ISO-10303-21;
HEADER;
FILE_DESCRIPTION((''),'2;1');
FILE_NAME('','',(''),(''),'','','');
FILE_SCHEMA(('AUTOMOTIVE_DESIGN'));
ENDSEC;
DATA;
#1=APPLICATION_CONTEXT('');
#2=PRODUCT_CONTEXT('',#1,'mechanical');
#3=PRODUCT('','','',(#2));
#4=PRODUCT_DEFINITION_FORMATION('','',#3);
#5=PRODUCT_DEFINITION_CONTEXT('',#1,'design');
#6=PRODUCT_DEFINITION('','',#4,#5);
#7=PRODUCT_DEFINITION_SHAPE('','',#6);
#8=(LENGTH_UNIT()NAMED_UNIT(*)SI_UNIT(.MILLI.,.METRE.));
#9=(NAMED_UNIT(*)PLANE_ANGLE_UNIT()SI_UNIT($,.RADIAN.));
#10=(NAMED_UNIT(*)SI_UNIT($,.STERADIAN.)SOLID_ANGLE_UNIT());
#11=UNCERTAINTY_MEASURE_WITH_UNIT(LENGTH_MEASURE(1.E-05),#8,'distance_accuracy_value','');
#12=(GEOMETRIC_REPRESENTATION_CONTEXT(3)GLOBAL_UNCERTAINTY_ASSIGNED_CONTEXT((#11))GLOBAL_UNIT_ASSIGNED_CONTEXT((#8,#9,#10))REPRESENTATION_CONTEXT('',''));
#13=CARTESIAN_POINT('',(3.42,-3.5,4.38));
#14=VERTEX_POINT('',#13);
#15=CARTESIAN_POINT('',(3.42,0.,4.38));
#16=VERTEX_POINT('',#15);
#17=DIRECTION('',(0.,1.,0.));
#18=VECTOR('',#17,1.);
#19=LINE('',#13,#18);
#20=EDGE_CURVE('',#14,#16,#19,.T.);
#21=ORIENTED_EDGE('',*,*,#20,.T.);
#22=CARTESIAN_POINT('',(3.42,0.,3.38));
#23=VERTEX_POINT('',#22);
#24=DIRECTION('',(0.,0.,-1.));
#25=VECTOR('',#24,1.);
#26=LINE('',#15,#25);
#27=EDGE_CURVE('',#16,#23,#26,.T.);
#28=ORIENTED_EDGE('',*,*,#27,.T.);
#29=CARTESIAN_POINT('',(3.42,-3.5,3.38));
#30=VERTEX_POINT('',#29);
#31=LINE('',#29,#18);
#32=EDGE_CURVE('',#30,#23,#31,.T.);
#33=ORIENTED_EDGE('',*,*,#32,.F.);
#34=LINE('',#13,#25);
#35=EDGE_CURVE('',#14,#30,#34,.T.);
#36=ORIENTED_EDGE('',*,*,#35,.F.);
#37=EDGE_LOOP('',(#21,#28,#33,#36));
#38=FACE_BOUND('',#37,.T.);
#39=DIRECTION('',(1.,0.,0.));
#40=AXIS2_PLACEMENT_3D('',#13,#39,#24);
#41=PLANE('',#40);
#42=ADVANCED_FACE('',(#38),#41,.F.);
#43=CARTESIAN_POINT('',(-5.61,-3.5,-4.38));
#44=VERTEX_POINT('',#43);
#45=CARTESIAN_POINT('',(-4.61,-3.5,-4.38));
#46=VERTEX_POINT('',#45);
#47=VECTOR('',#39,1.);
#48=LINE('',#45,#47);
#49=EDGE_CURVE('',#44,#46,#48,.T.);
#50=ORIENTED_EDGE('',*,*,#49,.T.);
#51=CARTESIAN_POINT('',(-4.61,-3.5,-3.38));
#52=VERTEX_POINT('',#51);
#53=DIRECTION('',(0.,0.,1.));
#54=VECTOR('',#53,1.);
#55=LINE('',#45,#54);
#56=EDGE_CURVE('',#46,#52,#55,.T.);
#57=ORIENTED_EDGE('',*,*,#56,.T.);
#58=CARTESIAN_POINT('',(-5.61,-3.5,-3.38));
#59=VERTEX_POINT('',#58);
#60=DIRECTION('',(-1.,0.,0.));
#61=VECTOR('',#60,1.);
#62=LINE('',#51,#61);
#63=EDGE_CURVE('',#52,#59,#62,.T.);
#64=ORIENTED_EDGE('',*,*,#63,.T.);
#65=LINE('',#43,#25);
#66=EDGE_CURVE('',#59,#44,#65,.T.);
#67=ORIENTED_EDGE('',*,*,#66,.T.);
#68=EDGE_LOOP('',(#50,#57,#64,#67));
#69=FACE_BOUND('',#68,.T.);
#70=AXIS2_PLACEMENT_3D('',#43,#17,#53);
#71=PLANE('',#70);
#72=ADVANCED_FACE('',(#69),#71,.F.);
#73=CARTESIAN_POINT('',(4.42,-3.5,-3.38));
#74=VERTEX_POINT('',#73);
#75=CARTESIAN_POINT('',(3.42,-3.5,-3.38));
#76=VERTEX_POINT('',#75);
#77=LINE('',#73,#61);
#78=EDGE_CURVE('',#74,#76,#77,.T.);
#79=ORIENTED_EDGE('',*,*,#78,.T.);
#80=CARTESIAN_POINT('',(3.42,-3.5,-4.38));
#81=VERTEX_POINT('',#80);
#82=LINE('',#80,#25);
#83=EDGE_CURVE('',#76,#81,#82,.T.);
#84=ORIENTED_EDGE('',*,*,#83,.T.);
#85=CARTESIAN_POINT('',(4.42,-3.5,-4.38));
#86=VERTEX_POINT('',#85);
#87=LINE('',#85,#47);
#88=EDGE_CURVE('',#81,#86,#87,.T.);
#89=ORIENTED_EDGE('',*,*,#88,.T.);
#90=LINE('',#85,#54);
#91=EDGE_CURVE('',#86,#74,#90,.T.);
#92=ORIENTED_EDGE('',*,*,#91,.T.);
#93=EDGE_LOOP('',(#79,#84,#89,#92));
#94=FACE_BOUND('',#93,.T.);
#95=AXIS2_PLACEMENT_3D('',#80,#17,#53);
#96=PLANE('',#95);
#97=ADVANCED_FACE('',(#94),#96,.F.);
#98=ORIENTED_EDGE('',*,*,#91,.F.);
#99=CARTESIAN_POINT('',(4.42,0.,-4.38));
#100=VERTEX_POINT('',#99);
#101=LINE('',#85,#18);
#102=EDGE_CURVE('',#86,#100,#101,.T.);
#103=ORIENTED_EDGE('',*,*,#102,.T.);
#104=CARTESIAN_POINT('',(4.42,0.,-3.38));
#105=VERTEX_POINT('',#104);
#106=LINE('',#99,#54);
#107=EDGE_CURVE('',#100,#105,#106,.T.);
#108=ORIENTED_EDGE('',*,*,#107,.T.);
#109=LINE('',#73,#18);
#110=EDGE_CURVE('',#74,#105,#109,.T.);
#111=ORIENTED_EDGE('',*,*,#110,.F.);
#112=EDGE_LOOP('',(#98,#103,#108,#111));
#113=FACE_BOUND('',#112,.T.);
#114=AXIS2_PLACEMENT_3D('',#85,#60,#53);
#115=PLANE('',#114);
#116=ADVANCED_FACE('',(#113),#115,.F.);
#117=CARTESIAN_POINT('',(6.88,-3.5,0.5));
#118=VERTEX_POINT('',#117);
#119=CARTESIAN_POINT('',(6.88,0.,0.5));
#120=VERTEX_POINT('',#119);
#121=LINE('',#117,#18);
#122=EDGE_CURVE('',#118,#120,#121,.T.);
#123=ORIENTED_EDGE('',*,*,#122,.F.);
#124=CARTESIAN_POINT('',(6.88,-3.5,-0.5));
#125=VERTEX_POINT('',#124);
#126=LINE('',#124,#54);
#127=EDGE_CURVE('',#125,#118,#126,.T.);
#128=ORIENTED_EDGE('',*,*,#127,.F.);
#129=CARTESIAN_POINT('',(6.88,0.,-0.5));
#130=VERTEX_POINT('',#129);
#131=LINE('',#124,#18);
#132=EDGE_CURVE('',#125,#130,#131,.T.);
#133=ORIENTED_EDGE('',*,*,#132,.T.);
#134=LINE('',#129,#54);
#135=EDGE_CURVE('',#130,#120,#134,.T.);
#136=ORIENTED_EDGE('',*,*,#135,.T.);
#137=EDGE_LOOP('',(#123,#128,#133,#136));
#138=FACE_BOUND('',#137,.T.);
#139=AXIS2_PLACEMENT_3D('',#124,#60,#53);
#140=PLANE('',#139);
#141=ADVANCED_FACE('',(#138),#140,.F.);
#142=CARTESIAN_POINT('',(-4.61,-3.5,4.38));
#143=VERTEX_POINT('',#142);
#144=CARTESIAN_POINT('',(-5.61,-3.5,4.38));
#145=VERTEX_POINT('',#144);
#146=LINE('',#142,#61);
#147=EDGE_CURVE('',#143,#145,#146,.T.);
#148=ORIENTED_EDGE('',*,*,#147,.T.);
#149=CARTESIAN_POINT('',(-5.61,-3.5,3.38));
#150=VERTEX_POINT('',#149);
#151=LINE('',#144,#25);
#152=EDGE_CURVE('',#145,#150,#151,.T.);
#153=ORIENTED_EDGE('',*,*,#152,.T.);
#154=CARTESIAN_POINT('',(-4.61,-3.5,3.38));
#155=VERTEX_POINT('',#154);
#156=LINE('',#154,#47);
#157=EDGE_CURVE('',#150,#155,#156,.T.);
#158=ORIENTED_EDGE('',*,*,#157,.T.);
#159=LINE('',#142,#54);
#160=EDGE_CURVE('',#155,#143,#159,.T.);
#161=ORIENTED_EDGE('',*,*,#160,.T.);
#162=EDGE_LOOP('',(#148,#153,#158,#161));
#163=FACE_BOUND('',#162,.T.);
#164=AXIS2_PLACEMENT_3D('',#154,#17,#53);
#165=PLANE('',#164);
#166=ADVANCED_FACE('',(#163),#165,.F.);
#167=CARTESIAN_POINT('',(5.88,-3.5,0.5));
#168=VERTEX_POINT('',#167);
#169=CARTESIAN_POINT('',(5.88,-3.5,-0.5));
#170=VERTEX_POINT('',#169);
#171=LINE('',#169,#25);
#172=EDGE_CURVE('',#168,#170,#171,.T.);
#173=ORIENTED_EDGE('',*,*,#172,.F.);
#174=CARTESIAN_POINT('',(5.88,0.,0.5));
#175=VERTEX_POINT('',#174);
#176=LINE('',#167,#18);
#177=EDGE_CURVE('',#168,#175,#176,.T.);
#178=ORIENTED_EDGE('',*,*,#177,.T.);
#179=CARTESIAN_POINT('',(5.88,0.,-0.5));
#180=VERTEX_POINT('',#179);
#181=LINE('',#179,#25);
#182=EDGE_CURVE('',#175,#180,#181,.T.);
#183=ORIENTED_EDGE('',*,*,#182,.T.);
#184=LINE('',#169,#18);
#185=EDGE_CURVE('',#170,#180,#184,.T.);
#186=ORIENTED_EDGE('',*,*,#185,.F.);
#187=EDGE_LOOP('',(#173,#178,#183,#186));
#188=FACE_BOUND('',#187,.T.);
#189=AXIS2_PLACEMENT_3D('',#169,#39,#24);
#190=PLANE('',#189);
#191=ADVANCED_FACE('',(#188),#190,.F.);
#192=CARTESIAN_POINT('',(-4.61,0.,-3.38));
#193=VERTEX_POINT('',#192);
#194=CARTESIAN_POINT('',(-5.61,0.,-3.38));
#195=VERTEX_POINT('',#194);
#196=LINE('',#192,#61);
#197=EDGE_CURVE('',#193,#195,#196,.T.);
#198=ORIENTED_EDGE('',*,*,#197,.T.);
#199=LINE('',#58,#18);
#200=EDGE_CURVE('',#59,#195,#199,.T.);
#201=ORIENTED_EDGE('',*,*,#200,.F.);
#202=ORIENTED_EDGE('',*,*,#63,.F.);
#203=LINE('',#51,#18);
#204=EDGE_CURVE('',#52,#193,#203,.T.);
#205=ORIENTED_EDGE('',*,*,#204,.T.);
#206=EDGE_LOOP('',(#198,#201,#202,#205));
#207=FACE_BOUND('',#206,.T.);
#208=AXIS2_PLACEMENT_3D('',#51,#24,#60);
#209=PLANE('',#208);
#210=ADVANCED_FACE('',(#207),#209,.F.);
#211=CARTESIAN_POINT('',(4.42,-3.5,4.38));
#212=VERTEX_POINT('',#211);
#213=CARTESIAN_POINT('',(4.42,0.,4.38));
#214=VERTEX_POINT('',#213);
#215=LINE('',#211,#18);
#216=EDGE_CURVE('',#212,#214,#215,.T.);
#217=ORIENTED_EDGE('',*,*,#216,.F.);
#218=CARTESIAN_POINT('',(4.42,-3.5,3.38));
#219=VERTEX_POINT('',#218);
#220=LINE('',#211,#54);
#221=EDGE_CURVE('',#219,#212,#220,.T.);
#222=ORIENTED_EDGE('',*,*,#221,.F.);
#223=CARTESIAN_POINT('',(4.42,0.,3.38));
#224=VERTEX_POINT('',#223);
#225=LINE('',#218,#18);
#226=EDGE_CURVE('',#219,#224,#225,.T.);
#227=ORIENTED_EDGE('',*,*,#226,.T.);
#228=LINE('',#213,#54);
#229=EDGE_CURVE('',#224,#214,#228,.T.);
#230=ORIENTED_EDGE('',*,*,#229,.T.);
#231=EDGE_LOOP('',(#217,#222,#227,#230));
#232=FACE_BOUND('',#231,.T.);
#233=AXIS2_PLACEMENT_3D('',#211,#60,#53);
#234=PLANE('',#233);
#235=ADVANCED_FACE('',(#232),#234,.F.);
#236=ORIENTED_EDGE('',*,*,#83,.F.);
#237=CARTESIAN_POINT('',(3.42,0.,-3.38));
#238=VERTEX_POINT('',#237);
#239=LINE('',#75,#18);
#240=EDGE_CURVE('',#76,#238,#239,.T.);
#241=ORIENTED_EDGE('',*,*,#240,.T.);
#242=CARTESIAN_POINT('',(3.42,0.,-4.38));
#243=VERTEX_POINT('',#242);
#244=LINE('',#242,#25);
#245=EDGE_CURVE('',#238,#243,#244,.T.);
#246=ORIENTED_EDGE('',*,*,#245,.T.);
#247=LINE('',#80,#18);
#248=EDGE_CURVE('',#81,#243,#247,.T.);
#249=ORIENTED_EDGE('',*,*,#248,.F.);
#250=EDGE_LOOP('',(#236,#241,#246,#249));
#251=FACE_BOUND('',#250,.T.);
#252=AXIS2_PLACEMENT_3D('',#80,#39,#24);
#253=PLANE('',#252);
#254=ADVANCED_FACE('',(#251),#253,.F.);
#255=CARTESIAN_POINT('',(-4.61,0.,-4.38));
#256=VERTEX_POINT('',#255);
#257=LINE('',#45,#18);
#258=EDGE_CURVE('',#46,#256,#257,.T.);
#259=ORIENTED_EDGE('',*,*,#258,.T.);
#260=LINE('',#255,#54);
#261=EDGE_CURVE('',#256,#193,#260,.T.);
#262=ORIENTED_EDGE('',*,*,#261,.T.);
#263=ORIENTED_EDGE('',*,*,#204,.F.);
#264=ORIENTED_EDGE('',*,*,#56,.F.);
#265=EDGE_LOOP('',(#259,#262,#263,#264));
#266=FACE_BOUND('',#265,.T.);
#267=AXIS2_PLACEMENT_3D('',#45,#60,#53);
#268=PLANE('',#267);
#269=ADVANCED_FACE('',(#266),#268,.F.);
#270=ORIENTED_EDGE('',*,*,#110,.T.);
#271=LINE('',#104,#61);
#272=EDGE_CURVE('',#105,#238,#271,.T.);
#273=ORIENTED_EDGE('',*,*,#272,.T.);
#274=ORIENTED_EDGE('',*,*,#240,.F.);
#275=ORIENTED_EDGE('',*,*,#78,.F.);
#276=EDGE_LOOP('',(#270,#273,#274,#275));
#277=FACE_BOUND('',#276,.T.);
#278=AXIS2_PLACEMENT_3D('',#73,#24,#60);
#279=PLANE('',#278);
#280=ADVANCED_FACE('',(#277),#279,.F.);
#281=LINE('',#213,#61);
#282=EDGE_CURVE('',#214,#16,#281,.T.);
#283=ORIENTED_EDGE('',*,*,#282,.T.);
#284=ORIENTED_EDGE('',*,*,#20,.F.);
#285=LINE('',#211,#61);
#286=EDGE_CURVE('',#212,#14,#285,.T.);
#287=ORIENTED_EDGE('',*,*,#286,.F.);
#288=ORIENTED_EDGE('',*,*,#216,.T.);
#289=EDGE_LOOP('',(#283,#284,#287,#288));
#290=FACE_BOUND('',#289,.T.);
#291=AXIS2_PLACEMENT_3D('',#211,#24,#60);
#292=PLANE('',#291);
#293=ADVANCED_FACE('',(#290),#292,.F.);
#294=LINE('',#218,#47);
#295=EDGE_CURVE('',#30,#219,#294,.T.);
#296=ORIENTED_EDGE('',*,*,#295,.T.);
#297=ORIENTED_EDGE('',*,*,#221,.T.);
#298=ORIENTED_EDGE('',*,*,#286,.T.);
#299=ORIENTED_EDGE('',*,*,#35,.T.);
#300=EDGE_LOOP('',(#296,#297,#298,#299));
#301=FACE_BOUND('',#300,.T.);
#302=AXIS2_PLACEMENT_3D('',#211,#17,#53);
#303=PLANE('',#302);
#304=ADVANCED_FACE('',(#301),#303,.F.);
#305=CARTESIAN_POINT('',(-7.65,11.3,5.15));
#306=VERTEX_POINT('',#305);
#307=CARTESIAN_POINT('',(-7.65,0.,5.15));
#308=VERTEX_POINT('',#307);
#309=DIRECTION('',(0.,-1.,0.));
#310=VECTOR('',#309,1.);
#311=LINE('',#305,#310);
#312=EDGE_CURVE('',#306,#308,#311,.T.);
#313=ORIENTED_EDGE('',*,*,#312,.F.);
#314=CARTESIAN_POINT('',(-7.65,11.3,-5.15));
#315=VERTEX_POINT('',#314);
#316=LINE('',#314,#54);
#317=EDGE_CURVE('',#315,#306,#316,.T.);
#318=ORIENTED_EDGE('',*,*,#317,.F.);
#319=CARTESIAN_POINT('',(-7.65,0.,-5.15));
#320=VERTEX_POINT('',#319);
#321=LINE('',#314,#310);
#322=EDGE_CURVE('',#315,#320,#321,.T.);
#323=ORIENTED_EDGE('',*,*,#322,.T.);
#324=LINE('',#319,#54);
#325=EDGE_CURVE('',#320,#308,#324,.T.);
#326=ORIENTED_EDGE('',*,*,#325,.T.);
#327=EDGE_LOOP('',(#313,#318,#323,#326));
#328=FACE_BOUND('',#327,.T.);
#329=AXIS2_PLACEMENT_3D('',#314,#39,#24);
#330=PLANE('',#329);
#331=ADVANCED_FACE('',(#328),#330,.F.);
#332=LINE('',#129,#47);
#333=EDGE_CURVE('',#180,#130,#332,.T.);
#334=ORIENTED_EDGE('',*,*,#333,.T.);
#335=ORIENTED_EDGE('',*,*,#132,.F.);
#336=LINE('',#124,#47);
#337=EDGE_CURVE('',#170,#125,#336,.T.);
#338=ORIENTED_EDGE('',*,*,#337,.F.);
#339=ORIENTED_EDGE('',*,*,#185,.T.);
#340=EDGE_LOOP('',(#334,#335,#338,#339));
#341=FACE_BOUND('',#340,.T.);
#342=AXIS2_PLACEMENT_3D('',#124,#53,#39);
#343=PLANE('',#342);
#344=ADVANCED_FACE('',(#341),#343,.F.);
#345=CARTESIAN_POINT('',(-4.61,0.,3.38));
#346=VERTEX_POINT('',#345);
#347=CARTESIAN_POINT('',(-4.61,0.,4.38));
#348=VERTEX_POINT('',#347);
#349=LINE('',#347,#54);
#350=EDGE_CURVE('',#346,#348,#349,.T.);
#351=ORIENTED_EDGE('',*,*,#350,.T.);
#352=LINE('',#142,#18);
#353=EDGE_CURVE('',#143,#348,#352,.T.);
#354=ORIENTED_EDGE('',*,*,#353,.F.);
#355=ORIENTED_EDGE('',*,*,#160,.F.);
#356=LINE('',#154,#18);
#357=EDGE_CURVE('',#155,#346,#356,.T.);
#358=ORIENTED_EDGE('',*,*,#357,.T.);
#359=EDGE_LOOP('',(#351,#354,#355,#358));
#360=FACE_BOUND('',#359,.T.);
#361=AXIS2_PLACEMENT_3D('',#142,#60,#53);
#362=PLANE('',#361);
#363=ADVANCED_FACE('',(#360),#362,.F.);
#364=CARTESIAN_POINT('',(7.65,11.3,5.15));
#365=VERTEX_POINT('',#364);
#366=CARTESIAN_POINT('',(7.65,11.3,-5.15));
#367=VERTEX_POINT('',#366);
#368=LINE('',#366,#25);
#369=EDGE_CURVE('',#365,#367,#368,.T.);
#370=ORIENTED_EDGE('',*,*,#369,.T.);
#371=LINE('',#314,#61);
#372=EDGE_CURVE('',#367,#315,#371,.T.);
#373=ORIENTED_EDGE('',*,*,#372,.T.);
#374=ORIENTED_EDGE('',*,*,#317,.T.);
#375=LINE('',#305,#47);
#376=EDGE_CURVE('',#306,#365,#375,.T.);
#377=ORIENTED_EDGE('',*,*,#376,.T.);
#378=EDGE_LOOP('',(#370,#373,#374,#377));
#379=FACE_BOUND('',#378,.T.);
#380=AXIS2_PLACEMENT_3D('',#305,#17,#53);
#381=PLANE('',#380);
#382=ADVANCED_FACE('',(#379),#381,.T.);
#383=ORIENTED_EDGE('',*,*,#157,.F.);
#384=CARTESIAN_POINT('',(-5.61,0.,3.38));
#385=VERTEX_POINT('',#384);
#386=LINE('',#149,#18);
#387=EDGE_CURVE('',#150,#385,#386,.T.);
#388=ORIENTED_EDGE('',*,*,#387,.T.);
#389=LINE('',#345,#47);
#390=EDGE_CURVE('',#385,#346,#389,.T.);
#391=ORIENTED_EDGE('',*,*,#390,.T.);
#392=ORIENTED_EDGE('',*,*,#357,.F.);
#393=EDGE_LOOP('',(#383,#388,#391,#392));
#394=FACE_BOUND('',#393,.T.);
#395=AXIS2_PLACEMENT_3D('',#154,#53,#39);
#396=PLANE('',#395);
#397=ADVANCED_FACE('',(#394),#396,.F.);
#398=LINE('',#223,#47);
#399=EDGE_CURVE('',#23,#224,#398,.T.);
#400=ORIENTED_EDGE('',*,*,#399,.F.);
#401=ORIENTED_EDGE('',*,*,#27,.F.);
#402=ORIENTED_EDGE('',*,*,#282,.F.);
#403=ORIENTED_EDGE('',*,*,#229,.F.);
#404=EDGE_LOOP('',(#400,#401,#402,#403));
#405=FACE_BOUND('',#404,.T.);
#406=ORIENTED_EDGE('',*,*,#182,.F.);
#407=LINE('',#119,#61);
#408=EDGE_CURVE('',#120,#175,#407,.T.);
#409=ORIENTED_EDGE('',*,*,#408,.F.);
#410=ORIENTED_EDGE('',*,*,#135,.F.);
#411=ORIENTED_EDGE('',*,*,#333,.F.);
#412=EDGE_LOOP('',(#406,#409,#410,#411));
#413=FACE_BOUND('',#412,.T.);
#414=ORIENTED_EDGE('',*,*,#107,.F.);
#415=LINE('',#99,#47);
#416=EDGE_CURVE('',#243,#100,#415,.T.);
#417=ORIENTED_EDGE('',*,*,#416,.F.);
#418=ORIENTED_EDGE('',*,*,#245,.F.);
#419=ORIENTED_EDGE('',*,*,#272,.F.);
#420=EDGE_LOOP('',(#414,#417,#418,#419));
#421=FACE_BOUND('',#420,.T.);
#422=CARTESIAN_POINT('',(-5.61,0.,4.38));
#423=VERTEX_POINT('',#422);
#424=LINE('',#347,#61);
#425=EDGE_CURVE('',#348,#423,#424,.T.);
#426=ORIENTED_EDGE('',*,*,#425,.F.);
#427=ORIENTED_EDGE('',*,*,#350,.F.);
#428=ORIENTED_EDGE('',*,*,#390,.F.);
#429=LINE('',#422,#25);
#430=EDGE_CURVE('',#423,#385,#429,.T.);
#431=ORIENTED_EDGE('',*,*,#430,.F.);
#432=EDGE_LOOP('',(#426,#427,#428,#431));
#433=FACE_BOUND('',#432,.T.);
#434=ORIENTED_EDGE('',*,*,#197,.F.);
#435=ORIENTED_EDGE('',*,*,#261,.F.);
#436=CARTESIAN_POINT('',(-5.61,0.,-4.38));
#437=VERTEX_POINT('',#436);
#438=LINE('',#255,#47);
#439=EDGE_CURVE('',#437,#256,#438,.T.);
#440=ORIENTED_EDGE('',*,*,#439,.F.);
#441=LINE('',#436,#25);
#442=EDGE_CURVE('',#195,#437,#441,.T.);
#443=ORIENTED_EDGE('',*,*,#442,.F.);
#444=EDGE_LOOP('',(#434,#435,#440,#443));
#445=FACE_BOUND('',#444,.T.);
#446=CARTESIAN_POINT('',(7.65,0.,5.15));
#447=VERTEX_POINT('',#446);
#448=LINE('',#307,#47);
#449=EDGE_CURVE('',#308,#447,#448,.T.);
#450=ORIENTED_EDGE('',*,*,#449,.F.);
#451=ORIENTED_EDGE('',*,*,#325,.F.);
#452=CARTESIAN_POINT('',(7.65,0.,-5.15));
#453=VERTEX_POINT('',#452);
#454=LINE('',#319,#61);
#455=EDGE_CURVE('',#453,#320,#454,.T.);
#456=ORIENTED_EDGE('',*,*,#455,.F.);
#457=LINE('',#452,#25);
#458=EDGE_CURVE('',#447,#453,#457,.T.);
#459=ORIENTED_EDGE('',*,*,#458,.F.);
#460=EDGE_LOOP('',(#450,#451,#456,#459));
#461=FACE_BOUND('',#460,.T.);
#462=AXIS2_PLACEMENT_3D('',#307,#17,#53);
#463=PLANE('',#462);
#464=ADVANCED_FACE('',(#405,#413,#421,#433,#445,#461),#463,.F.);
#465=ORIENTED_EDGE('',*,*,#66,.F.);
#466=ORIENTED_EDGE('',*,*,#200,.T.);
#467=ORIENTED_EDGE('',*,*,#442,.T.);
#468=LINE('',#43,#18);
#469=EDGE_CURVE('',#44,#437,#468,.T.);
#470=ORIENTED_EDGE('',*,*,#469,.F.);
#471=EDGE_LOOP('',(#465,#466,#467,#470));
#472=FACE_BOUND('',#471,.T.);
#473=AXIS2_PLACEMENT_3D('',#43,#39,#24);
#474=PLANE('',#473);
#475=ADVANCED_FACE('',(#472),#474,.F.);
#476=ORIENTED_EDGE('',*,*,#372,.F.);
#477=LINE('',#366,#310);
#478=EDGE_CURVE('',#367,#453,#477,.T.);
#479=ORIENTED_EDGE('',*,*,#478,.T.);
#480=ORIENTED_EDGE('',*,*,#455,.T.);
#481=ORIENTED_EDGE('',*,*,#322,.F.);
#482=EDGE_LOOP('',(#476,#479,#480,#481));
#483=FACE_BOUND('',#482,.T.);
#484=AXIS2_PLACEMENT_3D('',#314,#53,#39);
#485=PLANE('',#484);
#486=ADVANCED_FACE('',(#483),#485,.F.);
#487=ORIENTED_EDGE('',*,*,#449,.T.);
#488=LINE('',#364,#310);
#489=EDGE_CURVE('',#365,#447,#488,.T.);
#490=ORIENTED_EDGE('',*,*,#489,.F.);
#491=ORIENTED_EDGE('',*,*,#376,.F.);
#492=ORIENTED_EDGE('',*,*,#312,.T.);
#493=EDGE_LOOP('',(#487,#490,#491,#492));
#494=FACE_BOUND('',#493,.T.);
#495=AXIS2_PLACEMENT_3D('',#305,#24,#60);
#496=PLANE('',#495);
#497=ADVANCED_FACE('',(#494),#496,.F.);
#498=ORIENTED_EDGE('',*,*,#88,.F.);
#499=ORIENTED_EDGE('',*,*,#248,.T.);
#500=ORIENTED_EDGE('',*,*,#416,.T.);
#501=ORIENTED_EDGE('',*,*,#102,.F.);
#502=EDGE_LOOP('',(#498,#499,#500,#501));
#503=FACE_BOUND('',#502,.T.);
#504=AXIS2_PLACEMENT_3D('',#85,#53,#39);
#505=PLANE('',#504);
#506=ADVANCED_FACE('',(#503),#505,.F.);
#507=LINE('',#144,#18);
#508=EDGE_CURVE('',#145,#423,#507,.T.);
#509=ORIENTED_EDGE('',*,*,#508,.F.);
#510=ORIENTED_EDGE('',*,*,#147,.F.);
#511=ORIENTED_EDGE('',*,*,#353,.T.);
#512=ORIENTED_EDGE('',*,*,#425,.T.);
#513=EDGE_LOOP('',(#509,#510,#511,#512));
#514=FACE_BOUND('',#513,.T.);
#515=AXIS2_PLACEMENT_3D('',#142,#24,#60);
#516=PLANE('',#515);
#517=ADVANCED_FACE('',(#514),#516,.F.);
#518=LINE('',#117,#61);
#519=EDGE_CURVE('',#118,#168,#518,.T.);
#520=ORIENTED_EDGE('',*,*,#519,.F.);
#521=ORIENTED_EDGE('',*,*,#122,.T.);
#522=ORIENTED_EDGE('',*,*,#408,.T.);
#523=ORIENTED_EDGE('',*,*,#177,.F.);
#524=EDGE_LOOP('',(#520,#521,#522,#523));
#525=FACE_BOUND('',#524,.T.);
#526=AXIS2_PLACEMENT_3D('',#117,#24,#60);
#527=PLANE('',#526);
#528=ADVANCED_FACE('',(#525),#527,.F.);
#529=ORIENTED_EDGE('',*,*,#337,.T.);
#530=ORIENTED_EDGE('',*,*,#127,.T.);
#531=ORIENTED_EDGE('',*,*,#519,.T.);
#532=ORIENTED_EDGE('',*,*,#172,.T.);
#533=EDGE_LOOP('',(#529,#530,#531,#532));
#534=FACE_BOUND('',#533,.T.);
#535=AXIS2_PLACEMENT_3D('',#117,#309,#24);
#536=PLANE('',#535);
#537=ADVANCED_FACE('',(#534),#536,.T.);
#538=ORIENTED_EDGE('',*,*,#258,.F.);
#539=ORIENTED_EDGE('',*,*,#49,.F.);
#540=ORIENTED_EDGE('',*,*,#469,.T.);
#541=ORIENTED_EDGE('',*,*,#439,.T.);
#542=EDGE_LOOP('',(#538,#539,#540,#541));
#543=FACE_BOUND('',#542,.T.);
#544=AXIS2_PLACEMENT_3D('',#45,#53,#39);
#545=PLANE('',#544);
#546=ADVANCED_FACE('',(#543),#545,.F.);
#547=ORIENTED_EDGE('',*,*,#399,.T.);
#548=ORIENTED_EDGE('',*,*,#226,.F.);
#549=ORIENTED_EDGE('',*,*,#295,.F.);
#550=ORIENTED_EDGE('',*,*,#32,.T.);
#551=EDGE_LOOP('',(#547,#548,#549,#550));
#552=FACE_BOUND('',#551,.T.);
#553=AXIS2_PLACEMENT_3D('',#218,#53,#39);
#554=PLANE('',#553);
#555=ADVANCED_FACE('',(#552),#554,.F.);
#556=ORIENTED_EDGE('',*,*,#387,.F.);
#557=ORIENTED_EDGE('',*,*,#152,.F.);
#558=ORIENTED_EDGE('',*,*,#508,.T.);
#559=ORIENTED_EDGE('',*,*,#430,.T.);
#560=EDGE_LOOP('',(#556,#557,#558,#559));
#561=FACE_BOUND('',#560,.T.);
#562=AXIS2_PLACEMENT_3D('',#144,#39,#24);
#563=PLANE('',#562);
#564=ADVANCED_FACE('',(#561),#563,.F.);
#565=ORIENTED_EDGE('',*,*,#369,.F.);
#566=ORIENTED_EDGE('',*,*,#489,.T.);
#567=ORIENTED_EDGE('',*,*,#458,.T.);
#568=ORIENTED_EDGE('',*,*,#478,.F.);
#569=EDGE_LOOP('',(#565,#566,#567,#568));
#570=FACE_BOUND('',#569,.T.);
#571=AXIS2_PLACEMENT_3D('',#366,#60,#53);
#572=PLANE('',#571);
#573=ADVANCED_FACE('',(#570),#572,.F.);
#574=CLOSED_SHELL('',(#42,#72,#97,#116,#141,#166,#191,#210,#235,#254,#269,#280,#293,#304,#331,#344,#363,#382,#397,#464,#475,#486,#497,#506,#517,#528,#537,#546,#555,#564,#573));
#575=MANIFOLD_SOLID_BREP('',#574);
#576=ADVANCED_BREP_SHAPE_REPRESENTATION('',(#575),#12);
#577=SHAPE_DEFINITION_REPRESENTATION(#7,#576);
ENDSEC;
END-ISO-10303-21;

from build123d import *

# Parameters (mm, degrees)
SKETCH_1_W      = 15.3
SKETCH_1_H      = 10.3
EXTRUDE_1_DEPTH = 11.3
SKETCH_2_W      = 1
SKETCH_2_H      = 1
EXTRUDE_2_DEPTH = 3.5


with BuildPart() as part:
    # 草图1 → 拉伸1 (new body)
    with BuildSketch(Plane(origin=(0, 0, 0), x_dir=(1, 0, 0), z_dir=(0, 1, 0))):
        Rectangle(SKETCH_1_W, SKETCH_1_H)
    extrude(amount=EXTRUDE_1_DEPTH)

    # 草图2 → 拉伸2 (add)
    with BuildSketch(Plane.XZ):
        with Locations((6.38, 0)):
            Rectangle(SKETCH_2_W, SKETCH_2_H)
        with Locations((3.92, 3.88)):
            Rectangle(SKETCH_2_W, SKETCH_2_H)
        with Locations((-5.11, 3.88)):
            Rectangle(SKETCH_2_W, SKETCH_2_H)
        with Locations((-5.11, -3.88)):
            Rectangle(SKETCH_2_W, SKETCH_2_H)
        with Locations((3.92, -3.88)):
            Rectangle(SKETCH_2_W, SKETCH_2_H)
    extrude(amount=EXTRUDE_2_DEPTH)


solid = part.part
